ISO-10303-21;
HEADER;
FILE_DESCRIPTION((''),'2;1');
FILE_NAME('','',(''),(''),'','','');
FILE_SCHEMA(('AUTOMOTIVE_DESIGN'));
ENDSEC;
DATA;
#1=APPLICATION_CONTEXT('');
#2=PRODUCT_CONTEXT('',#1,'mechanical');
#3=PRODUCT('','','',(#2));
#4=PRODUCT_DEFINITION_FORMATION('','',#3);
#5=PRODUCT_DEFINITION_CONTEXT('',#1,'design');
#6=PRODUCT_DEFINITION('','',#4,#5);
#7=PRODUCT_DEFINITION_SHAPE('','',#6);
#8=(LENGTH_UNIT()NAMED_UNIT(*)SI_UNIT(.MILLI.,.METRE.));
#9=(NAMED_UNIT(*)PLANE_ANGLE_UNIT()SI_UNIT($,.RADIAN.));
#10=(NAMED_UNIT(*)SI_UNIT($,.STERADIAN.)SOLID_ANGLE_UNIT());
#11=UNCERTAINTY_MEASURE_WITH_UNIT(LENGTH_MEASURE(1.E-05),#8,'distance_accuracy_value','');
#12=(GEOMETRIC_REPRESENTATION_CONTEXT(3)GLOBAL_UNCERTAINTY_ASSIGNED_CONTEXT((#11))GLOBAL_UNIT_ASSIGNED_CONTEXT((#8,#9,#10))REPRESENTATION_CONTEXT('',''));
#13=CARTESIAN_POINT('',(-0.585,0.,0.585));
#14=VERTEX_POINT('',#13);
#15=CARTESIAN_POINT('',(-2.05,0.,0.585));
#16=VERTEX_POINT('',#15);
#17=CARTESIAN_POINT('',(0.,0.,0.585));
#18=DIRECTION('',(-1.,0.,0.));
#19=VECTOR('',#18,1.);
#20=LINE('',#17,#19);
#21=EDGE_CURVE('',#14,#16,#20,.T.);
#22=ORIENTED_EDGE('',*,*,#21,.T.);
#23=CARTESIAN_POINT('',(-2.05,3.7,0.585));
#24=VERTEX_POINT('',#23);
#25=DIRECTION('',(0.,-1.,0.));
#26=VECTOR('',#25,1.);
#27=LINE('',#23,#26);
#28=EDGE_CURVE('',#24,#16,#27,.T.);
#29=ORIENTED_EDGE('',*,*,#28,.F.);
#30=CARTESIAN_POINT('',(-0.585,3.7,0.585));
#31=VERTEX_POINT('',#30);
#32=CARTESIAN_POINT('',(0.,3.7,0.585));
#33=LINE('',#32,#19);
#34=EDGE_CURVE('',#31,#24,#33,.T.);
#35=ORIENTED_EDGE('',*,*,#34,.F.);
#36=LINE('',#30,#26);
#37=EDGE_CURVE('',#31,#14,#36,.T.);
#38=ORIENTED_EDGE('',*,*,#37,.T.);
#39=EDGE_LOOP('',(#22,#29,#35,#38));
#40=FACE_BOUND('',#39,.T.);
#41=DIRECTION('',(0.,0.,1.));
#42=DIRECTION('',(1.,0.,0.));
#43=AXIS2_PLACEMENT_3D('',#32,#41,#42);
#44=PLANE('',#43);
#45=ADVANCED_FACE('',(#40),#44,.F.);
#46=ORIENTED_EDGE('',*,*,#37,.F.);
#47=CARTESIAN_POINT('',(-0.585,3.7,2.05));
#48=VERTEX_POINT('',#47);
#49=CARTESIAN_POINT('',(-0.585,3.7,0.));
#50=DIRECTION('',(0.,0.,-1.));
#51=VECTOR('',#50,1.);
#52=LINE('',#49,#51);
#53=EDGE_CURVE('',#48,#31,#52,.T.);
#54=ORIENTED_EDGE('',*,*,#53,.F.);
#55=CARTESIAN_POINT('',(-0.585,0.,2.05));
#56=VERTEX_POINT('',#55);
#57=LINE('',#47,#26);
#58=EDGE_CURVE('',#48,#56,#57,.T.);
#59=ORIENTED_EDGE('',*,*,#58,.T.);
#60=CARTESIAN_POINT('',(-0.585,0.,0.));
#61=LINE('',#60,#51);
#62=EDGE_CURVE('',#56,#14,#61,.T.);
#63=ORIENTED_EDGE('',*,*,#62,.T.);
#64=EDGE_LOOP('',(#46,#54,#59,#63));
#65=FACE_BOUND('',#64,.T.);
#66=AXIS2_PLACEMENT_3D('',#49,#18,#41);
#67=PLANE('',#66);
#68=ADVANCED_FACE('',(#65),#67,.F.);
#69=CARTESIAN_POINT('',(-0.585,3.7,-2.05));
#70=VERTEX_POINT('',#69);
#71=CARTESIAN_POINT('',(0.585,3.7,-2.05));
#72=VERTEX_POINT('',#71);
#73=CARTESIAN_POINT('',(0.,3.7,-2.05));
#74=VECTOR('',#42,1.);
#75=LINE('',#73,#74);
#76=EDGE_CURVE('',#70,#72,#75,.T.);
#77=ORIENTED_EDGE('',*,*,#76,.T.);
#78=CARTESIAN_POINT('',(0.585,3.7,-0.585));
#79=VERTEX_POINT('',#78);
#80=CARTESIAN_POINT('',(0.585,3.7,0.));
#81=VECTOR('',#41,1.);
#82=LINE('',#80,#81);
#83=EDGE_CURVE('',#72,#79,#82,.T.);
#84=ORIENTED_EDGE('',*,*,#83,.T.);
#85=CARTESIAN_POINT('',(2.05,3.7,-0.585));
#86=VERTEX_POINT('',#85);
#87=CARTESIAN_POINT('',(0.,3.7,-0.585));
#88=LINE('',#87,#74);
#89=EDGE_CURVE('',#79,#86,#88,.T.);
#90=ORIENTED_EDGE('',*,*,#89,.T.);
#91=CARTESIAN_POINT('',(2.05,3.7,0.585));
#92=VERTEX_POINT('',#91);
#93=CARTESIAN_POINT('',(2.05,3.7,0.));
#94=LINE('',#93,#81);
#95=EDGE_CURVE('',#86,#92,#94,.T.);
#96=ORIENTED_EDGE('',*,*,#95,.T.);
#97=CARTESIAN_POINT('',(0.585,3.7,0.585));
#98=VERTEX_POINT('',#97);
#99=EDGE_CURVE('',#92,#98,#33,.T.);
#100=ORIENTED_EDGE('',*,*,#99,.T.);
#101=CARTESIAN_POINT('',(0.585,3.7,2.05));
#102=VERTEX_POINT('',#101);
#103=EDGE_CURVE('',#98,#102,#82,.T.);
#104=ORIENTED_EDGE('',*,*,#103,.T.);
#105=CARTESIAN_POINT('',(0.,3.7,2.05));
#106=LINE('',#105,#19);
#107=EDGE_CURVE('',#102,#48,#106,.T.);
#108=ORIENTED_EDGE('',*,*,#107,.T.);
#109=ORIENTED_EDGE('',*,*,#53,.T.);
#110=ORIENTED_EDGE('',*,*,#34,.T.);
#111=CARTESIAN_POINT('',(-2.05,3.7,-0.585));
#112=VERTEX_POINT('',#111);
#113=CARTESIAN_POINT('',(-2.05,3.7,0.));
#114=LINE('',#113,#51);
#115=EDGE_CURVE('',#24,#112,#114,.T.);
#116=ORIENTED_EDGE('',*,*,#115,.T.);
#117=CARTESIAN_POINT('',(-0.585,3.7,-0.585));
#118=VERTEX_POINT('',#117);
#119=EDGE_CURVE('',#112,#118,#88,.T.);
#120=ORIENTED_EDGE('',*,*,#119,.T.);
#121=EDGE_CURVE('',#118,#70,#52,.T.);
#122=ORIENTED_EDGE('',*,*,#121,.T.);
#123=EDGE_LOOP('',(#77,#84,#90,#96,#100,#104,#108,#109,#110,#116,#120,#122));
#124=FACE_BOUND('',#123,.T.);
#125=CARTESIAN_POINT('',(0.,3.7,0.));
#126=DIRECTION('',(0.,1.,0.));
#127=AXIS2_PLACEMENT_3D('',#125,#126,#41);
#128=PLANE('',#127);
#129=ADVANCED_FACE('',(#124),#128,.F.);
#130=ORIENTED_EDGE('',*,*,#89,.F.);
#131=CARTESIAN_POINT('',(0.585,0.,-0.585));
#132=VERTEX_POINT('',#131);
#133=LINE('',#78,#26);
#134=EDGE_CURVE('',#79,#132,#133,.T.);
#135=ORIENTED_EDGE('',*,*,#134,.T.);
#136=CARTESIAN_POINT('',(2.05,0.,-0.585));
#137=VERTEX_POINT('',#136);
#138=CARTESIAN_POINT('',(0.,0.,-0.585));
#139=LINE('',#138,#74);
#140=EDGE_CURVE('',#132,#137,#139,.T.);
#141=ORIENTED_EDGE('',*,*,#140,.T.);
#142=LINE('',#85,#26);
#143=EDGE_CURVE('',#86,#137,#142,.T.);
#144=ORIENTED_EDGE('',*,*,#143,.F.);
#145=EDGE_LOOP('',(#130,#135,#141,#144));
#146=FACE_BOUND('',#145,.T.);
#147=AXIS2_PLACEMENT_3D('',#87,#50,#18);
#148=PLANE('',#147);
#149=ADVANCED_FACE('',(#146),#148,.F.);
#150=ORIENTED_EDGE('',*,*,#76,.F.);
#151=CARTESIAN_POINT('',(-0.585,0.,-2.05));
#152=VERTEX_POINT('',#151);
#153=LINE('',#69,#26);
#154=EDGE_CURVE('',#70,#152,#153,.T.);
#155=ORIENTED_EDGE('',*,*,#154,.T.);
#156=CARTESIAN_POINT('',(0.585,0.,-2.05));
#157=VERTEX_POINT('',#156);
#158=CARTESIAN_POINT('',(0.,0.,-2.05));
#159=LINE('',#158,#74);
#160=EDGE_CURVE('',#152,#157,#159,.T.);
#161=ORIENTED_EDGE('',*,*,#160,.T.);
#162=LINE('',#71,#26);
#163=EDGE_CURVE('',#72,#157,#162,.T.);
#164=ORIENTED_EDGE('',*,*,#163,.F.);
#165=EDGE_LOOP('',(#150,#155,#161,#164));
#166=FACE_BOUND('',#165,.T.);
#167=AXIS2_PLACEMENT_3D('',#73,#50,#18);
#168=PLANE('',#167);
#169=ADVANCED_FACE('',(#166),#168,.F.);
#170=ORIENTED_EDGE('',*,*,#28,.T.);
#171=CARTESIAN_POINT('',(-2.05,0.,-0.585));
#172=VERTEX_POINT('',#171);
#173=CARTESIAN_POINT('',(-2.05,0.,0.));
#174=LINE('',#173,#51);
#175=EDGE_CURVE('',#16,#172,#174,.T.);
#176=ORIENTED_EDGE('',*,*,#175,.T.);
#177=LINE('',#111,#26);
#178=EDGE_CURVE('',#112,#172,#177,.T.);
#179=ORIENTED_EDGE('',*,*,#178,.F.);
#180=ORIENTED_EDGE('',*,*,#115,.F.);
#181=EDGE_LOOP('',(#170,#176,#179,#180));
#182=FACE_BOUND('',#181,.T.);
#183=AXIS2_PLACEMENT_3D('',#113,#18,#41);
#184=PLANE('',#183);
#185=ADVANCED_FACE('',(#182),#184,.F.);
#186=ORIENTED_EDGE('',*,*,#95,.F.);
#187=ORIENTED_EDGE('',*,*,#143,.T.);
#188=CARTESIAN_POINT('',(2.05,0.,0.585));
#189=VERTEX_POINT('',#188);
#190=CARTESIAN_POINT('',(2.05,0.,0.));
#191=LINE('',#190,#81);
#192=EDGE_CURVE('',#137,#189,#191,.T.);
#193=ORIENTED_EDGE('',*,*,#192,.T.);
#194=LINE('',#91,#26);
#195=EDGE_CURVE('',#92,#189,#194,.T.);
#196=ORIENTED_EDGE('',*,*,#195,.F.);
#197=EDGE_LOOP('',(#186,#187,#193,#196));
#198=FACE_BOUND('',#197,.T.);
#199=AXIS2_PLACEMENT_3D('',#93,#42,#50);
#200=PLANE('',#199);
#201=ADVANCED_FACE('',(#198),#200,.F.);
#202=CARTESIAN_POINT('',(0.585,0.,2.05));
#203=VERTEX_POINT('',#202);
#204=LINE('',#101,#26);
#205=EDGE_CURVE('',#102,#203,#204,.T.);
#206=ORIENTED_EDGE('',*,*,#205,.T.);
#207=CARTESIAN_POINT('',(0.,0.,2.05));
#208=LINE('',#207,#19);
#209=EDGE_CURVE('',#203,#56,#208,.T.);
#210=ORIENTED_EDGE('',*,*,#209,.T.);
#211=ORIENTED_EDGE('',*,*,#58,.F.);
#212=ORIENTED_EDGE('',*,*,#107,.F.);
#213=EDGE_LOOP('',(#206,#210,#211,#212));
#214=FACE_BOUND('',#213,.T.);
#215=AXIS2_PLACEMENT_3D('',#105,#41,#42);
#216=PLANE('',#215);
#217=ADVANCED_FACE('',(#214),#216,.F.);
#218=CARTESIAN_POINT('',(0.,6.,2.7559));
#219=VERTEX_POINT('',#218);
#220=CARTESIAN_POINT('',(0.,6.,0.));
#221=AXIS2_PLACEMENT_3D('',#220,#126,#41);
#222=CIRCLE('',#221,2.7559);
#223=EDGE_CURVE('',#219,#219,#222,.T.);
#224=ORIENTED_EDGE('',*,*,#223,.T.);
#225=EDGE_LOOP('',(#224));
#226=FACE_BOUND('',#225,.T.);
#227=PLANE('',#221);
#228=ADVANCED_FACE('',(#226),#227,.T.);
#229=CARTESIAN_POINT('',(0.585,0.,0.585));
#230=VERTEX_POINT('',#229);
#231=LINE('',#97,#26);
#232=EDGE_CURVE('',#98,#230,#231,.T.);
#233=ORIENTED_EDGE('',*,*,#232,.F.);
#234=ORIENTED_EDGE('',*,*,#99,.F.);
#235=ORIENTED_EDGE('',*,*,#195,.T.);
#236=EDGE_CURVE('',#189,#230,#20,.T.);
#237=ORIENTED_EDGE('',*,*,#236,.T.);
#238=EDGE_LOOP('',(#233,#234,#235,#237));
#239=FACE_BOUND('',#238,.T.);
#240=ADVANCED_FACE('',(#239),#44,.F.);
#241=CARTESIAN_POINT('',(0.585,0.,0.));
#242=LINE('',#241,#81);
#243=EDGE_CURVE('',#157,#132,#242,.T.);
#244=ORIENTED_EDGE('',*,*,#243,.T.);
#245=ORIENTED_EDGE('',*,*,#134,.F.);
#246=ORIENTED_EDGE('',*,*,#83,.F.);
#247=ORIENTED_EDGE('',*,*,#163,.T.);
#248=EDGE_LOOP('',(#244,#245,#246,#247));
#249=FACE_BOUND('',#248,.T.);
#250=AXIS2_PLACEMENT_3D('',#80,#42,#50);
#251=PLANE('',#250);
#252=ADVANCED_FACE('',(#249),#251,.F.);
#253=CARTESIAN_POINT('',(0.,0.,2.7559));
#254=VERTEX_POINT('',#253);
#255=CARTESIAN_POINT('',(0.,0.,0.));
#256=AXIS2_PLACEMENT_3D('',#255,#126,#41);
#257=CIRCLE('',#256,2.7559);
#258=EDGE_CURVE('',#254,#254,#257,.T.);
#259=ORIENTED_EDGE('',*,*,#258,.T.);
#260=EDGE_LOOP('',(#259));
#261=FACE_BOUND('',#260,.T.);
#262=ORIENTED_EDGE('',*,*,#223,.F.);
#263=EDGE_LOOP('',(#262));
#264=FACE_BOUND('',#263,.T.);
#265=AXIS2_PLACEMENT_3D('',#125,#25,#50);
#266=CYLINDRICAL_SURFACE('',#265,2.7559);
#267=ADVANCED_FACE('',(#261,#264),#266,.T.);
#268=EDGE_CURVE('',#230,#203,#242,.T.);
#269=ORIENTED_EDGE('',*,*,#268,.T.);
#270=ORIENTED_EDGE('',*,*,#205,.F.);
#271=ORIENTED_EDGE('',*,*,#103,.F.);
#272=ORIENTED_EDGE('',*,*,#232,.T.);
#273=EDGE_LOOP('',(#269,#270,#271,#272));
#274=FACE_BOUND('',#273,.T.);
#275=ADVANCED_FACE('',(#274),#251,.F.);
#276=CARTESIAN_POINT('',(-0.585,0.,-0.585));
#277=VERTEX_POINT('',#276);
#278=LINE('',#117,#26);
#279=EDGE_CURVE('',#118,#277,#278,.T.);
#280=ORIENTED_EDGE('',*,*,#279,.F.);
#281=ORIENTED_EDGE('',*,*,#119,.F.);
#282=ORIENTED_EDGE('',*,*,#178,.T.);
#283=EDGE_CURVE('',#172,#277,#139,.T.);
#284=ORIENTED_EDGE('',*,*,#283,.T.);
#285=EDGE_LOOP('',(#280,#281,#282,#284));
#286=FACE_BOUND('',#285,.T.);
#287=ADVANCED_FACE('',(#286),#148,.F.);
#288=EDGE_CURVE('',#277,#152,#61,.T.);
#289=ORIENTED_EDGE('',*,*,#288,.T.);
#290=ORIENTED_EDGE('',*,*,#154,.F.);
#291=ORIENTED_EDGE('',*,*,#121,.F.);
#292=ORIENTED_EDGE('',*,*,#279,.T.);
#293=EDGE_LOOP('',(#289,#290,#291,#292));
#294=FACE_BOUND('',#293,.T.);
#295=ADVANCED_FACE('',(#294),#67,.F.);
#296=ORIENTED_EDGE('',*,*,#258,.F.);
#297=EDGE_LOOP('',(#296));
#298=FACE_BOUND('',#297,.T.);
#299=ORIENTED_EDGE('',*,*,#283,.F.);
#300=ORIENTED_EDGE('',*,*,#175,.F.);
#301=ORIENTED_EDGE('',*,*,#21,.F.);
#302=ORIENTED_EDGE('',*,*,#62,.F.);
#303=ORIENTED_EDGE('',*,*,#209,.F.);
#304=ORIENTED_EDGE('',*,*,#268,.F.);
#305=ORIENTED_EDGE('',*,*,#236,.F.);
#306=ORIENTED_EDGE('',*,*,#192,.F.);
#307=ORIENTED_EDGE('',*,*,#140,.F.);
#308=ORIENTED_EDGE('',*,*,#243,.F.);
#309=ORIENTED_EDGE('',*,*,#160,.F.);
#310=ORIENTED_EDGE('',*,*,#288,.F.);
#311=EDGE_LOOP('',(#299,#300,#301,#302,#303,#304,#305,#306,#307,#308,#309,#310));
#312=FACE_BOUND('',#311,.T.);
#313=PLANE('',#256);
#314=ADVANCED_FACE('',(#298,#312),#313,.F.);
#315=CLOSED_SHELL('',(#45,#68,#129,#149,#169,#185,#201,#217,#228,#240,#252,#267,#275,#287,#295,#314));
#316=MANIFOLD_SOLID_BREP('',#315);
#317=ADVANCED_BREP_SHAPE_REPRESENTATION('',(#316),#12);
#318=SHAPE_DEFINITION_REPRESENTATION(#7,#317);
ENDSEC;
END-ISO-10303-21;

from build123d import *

# Parameters (mm, degrees)
SKETCH1_R           = 2.7559
BOSS_EXTRUDE1_DEPTH = 3.7
BOSS_EXTRUDE2_START = 3.7
SKETCH1_3_R         = 2.7559
BOSS_EXTRUDE2_DEPTH = 2.3


with BuildPart() as part:
    # Sketch1 → Boss-Extrude1 (new body)
    with BuildSketch(Plane(origin=(0, 0, 0), x_dir=(1, 0, 0), z_dir=(0, 1, 0))):
        with Locations(Location((0, 0, 0), (0, 0, 270))):
            Circle(SKETCH1_R)
        Polygon((-2.05, -0.585), (-2.05, 0.585), (-0.585, 0.585), (-0.585, 2.05), (0.585, 2.05), (0.585, 0.585), (2.05, 0.585), (2.05, -0.585), (0.585, -0.585), (0.585, -2.05), (-0.585, -2.05), (-0.585, -0.585), align=None, mode=Mode.SUBTRACT)
    extrude(amount=BOSS_EXTRUDE1_DEPTH)

    # Sketch1<3> → Boss-Extrude2 (add)
    with BuildSketch(Plane(origin=(0, 0, 0), x_dir=(1, 0, 0), z_dir=(0, 1, 0)).offset(BOSS_EXTRUDE2_START)):
        with Locations(Location((0, 0, 0), (0, 0, 270))):
            Circle(SKETCH1_3_R)
    extrude(amount=BOSS_EXTRUDE2_DEPTH)


solid = part.part
